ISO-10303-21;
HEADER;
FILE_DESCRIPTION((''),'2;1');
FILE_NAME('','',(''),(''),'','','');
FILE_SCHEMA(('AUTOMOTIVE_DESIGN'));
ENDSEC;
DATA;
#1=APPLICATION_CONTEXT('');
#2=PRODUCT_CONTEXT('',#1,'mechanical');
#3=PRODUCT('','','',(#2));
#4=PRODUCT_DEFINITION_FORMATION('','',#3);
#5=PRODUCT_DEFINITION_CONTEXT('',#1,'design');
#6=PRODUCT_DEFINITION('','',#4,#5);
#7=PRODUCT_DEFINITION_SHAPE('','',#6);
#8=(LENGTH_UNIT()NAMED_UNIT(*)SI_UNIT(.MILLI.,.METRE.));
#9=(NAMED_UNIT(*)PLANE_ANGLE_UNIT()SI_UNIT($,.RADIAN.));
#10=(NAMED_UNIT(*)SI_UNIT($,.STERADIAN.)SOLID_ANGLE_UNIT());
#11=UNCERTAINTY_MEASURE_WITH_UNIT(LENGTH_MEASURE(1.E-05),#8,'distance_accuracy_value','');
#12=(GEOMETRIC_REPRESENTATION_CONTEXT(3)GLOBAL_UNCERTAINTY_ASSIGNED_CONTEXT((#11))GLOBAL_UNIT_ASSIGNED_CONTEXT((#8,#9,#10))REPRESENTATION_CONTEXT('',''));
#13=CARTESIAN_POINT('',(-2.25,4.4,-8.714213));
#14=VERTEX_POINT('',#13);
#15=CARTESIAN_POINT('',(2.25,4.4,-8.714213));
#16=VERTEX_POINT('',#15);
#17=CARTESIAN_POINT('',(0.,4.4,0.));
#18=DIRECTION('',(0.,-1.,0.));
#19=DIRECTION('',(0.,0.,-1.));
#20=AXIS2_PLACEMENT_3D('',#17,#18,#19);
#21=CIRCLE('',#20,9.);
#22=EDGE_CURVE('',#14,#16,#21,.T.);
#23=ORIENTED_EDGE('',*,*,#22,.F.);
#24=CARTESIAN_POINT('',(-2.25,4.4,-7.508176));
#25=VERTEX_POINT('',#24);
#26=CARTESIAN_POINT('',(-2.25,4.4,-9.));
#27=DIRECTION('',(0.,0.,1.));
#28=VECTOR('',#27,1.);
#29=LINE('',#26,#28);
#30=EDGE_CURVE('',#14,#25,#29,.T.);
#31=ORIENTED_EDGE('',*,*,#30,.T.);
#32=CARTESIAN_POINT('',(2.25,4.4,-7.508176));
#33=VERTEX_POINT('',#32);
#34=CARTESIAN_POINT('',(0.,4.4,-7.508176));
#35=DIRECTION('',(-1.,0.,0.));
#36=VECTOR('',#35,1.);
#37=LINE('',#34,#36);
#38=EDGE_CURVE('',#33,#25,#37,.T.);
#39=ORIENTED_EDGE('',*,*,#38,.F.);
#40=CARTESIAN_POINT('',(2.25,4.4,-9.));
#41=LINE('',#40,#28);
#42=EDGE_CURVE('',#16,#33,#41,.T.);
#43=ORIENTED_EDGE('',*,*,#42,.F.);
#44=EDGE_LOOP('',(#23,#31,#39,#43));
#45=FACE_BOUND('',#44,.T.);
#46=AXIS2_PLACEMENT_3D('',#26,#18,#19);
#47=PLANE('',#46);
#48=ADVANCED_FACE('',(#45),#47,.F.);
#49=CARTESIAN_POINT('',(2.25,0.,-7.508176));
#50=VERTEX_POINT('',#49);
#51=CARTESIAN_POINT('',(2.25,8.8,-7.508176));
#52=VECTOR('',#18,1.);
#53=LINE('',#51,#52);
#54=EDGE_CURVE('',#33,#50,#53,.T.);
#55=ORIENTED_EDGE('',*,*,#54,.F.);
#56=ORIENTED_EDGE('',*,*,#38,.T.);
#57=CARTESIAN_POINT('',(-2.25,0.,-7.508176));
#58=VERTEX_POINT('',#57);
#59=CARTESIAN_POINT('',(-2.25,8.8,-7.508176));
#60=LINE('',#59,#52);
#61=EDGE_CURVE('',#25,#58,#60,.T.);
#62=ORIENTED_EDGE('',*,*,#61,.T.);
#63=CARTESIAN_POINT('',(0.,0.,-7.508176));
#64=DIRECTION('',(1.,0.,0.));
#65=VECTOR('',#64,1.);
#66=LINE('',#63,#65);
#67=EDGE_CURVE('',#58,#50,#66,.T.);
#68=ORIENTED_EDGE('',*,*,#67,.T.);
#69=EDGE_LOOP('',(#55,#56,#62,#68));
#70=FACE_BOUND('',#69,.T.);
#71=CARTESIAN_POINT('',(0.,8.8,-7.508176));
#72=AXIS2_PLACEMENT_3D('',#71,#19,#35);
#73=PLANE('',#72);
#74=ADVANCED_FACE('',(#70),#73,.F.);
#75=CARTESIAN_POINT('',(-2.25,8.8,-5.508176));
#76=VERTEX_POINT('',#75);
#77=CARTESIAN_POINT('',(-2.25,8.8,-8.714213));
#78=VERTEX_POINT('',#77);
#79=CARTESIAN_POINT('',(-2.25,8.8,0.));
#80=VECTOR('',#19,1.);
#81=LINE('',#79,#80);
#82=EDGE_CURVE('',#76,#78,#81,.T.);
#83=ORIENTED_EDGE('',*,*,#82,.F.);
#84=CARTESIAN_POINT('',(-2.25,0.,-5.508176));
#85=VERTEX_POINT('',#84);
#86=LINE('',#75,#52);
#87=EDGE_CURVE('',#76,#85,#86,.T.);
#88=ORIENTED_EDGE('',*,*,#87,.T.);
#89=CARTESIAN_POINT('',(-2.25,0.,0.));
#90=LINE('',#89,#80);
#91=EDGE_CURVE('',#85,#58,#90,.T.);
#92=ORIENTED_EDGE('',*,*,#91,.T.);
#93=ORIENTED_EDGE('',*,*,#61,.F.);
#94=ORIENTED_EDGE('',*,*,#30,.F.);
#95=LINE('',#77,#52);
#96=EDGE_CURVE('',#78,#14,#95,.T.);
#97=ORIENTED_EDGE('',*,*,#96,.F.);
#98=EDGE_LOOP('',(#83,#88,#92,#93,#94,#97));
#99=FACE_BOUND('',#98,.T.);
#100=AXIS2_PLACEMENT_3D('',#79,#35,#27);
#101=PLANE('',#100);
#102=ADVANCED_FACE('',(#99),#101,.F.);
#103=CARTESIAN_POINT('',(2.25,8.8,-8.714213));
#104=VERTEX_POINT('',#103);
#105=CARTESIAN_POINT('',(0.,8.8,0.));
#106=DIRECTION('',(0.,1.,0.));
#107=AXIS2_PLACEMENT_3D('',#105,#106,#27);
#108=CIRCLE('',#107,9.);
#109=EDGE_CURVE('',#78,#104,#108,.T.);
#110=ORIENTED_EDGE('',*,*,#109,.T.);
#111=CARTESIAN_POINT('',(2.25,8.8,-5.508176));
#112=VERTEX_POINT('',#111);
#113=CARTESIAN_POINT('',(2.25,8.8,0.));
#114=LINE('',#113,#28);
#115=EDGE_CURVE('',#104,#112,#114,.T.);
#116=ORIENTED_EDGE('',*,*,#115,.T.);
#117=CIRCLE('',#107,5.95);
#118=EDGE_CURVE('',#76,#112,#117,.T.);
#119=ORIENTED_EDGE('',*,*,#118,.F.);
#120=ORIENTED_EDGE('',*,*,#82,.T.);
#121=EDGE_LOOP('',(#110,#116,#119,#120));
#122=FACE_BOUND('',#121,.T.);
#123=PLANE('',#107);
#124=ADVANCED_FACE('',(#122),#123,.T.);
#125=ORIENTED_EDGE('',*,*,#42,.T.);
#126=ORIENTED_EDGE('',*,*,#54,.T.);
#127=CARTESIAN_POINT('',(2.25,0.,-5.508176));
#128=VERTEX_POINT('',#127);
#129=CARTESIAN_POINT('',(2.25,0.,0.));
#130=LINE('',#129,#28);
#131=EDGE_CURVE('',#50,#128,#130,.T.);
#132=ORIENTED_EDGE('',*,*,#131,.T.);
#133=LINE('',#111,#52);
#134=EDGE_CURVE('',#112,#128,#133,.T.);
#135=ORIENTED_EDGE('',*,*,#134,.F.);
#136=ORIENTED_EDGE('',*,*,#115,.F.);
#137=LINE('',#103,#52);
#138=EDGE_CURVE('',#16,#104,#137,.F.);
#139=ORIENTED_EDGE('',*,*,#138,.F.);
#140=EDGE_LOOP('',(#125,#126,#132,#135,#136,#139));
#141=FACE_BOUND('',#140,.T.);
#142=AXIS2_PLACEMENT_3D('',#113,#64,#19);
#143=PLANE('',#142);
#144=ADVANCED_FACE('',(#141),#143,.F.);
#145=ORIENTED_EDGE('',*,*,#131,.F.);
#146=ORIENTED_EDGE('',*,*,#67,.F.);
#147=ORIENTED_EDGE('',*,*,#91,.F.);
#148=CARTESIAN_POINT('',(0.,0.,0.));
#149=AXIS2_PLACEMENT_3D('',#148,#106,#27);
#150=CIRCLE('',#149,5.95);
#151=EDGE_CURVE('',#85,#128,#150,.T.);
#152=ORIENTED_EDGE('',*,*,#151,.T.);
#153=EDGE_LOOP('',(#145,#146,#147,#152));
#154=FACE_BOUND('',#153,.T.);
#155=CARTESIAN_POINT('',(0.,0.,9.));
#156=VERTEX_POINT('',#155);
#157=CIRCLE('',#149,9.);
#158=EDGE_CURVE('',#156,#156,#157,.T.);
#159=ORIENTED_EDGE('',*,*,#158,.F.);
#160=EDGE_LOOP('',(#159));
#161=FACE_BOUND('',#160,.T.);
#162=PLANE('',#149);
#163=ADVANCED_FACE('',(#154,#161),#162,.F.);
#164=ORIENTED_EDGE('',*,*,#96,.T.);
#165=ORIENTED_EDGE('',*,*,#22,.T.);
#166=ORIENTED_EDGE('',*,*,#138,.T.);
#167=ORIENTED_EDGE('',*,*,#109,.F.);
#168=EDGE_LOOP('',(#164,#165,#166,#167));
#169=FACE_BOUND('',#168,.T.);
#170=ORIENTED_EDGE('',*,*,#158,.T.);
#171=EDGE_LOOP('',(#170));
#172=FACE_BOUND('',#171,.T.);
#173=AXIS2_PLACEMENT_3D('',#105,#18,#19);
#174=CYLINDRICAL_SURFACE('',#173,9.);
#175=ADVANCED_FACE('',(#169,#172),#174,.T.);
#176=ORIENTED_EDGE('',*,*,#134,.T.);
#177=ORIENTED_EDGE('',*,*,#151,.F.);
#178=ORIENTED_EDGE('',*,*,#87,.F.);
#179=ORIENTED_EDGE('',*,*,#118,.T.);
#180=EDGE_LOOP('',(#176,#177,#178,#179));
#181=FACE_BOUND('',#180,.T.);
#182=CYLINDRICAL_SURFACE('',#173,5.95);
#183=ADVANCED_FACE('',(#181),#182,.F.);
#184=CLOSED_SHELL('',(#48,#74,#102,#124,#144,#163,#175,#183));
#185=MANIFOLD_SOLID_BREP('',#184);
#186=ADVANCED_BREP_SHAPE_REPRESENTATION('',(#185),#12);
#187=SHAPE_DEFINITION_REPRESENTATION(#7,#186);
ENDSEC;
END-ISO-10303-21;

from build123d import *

# Parameters (mm, degrees)
SKETCH1_R           = 9
BOSS_EXTRUDE1_DEPTH = 8.8
SKETCH2_W           = 4.5
SKETCH2_H           = 4.4
CUT_EXTRUDE1_DEPTH  = 10


with BuildPart() as part:
    # Sketch1 → Boss-Extrude1 (new body)
    with BuildSketch(Plane(origin=(0, 0, 0), x_dir=(1, 0, 0), z_dir=(0, 1, 0))):
        Circle(SKETCH1_R)
        with BuildLine():
            ThreePointArc((5.95, 0), (-3.317755265, -4.939129478), (-2.25, 5.508175742))
            Line((-2.25, 5.508175742), (-2.25, 7.508175742))
            Line((-2.25, 7.508175742), (2.25, 7.508175742))
            Line((2.25, 7.508175742), (2.25, 5.508175742))
            ThreePointArc((2.25, 5.508175742), (4.939129478, 3.317755265), (5.95, 0))
        make_face(mode=Mode.SUBTRACT)
    extrude(amount=BOSS_EXTRUDE1_DEPTH)

    # Sketch2 → Cut-Extrude1 (cut, through all)
    with BuildSketch(Plane.XY):
        with Locations((0, 6.6)):
            Rectangle(SKETCH2_W, SKETCH2_H)
    extrude(amount=-CUT_EXTRUDE1_DEPTH, mode=Mode.SUBTRACT)


solid = part.part
